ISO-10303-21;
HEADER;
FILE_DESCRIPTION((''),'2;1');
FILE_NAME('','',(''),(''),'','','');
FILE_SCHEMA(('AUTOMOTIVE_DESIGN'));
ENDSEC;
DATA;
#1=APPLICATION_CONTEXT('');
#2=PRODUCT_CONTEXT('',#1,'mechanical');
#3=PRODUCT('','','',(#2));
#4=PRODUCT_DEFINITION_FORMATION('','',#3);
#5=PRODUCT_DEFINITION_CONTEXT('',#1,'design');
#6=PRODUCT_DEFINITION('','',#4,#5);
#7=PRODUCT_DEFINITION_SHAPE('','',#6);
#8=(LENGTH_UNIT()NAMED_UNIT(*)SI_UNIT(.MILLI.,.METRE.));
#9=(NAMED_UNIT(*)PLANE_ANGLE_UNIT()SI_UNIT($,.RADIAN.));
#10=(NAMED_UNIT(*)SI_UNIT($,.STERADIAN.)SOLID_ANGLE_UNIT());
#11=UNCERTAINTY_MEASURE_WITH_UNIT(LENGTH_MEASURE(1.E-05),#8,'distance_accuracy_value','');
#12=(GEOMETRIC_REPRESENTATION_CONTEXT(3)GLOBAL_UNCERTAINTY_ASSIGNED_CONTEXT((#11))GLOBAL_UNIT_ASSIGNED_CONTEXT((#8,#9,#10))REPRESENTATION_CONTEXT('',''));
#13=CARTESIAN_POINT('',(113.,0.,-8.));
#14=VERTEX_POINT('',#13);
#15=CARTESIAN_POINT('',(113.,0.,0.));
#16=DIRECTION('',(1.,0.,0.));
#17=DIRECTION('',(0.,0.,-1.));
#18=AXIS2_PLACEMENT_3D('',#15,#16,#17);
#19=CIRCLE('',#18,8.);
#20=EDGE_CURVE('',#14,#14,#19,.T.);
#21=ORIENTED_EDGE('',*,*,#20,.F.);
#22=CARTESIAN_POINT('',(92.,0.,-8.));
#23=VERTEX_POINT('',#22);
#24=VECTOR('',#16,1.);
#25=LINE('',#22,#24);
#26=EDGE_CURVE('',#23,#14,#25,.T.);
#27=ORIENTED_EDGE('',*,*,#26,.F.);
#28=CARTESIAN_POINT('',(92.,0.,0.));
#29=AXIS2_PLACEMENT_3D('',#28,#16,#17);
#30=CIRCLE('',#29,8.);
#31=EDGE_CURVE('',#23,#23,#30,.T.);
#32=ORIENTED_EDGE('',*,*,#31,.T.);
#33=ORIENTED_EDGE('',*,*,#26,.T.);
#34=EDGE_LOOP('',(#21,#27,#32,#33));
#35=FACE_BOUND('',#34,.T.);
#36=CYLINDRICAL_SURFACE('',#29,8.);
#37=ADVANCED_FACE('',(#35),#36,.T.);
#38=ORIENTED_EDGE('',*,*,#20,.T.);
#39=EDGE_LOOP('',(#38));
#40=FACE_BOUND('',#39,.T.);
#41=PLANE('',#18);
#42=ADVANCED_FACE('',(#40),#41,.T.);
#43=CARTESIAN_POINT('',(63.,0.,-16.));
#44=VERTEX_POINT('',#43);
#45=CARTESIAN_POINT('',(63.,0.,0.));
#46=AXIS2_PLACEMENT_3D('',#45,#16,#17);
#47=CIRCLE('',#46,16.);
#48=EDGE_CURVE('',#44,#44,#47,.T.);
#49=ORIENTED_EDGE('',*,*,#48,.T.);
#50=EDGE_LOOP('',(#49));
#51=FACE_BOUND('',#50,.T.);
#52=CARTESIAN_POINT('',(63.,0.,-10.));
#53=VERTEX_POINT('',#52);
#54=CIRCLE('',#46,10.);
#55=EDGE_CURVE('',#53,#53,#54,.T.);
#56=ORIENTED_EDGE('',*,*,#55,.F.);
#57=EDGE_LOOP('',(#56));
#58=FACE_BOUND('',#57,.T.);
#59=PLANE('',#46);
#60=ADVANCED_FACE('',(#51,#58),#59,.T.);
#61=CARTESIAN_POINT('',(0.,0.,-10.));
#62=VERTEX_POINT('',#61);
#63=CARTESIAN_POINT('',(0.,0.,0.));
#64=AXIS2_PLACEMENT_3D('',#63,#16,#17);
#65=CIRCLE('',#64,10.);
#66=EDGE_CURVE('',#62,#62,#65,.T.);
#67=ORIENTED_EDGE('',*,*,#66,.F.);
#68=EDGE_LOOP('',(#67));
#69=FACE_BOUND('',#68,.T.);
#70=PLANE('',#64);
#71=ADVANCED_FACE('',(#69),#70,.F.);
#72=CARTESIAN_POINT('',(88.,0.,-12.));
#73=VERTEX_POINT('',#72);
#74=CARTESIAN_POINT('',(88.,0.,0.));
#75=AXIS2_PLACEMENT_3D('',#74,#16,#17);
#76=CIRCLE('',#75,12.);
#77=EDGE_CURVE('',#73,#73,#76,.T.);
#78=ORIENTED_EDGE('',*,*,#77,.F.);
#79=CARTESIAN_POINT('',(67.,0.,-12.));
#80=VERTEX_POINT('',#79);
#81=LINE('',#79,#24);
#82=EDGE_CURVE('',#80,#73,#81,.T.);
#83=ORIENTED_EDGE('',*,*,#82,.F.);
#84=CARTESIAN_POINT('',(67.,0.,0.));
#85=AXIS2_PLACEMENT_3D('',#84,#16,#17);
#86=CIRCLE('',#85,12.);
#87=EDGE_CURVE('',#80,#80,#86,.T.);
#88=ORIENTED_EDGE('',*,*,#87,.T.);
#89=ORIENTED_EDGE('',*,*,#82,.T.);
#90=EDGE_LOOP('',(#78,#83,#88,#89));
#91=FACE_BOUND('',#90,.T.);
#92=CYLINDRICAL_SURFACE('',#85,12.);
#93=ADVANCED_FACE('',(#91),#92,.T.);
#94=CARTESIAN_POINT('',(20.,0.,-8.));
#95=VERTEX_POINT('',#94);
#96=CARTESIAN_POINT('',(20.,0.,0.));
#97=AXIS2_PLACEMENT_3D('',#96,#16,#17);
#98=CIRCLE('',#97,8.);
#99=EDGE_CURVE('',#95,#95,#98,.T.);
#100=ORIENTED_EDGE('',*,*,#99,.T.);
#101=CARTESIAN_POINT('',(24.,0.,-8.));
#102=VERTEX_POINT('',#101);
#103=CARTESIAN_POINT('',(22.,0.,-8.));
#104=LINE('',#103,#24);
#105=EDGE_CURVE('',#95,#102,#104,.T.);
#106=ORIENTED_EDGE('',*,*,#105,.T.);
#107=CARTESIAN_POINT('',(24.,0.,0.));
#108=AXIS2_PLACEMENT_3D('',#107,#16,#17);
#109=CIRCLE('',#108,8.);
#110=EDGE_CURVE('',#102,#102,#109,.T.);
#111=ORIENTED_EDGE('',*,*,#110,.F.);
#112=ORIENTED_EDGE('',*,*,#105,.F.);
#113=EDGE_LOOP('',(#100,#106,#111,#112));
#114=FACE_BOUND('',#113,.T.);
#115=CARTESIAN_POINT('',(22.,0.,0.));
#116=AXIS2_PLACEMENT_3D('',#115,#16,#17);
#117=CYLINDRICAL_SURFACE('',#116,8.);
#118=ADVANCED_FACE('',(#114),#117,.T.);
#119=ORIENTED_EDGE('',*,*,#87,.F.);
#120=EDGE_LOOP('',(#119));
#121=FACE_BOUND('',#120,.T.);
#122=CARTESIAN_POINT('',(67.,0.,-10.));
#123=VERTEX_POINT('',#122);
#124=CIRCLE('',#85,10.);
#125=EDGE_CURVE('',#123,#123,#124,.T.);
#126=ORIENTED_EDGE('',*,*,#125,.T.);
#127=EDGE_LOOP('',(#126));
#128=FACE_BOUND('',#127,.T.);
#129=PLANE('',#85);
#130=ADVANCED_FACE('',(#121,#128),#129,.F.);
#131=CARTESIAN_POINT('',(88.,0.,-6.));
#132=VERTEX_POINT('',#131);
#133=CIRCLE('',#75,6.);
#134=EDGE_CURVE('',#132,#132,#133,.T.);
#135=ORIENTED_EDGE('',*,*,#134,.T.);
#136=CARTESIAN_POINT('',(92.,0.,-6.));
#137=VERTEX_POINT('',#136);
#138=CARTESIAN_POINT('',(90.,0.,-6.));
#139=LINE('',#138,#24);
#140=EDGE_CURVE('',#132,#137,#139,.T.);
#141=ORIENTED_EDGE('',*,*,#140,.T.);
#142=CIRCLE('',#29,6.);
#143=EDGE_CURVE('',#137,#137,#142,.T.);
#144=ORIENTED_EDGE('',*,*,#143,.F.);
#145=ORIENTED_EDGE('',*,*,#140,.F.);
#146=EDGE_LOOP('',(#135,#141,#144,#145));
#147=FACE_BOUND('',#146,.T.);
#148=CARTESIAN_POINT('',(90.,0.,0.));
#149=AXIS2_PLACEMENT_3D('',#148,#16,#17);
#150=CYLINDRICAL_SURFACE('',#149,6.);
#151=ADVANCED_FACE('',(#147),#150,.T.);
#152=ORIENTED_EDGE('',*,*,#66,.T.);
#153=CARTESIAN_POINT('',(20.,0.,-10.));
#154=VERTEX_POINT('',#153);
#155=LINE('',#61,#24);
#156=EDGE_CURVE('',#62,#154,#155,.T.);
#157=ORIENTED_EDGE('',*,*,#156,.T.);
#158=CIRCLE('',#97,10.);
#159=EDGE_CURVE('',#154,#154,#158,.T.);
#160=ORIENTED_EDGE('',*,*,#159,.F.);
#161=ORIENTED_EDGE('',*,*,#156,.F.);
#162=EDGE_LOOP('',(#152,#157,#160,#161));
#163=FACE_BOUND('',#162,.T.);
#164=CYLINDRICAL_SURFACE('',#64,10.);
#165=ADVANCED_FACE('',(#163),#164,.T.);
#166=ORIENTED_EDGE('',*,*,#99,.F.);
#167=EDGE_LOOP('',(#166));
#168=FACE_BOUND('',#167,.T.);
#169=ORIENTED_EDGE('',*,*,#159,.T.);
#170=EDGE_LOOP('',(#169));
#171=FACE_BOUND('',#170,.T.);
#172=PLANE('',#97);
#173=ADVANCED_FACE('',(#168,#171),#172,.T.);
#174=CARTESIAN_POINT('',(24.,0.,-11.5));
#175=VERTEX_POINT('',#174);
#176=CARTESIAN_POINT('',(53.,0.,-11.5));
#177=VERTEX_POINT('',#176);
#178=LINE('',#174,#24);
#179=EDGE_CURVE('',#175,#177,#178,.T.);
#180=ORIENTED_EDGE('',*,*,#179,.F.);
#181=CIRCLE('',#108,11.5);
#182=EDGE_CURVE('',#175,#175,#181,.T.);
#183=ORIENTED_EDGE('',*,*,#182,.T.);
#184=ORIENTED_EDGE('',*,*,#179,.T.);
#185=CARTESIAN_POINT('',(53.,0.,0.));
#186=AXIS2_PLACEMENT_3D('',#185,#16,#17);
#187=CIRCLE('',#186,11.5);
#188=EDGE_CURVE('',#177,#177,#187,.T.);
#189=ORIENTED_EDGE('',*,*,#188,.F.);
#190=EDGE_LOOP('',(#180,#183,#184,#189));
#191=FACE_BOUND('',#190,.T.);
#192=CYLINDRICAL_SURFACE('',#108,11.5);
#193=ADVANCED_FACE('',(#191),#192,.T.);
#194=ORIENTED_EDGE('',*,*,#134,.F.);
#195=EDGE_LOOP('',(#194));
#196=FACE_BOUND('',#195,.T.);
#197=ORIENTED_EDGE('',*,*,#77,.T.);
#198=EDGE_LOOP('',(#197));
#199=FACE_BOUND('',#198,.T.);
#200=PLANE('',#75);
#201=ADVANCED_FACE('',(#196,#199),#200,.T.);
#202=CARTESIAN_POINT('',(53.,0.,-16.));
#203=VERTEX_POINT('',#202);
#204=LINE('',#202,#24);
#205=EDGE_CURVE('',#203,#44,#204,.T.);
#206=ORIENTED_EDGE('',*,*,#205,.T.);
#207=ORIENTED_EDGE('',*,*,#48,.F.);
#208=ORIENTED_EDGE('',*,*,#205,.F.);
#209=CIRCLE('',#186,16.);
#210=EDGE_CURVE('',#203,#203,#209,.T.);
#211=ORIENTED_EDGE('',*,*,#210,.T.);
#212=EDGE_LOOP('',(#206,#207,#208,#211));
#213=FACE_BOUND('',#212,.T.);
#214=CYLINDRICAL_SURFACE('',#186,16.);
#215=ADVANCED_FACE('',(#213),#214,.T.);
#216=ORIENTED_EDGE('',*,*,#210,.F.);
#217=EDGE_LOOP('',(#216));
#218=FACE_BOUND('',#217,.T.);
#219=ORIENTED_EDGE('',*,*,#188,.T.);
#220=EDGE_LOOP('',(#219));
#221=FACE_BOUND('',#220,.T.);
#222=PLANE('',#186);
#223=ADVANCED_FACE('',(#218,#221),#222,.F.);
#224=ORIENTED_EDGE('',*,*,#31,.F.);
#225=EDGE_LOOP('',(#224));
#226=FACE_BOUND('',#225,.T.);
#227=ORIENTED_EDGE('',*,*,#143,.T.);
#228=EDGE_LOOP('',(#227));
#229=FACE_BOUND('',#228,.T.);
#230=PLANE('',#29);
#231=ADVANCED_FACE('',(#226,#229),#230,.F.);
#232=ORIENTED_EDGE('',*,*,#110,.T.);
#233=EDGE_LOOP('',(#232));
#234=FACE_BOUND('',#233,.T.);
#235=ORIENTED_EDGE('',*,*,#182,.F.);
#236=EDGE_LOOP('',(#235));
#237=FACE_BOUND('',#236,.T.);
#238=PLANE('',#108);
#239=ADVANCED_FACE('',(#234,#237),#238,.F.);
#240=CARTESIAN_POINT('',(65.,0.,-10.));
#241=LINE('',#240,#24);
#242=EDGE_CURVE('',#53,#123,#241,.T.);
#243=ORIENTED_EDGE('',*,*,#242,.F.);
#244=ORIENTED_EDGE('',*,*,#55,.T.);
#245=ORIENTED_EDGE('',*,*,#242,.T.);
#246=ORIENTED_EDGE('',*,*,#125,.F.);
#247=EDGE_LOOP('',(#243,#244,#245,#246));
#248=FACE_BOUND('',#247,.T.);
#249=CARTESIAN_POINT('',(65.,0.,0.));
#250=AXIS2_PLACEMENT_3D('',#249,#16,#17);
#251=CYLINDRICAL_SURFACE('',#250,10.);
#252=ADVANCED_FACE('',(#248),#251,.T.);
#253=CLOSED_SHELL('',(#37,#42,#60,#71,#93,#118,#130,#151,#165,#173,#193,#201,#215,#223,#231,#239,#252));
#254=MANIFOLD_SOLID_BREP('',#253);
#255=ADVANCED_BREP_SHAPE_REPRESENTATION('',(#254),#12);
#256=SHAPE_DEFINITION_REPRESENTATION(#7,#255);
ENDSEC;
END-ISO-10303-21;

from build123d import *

# Parameters (mm, degrees)
F0_W   = 4
F0_H   = 8
F0_H_2 = 10
F0_H_3 = 6


with BuildPart() as f1:
    # F0 (on Front) → F1 (revolve)
    with BuildSketch(Plane.XZ):
        Polygon((20, 0), (0, 0), (0, -10), (20, -10), (20, -8), align=None)
        with Locations((22, -4)):
            Rectangle(F0_W, F0_H)
        Polygon((53, 0), (24, 0), (24, -8), (24, -11.5), (53, -11.5), align=None)
        Polygon((63, 0), (53, 0), (53, -11.5), (53, -16), (63, -16), (63, -10), align=None)
        with Locations((65, -5)):
            Rectangle(F0_W, F0_H_2)
        Polygon((88, 0), (67, 0), (67, -10), (67, -12), (88, -12), (88, -6), align=None)
        with Locations((90, -3)):
            Rectangle(F0_W, F0_H_3)
        Polygon((113, 0), (92, 0), (92, -6), (92, -8), (113, -8), align=None)
    revolve(axis=Axis((38.5, 0, 0), (1, 0, 0)))


solid = f1.part
